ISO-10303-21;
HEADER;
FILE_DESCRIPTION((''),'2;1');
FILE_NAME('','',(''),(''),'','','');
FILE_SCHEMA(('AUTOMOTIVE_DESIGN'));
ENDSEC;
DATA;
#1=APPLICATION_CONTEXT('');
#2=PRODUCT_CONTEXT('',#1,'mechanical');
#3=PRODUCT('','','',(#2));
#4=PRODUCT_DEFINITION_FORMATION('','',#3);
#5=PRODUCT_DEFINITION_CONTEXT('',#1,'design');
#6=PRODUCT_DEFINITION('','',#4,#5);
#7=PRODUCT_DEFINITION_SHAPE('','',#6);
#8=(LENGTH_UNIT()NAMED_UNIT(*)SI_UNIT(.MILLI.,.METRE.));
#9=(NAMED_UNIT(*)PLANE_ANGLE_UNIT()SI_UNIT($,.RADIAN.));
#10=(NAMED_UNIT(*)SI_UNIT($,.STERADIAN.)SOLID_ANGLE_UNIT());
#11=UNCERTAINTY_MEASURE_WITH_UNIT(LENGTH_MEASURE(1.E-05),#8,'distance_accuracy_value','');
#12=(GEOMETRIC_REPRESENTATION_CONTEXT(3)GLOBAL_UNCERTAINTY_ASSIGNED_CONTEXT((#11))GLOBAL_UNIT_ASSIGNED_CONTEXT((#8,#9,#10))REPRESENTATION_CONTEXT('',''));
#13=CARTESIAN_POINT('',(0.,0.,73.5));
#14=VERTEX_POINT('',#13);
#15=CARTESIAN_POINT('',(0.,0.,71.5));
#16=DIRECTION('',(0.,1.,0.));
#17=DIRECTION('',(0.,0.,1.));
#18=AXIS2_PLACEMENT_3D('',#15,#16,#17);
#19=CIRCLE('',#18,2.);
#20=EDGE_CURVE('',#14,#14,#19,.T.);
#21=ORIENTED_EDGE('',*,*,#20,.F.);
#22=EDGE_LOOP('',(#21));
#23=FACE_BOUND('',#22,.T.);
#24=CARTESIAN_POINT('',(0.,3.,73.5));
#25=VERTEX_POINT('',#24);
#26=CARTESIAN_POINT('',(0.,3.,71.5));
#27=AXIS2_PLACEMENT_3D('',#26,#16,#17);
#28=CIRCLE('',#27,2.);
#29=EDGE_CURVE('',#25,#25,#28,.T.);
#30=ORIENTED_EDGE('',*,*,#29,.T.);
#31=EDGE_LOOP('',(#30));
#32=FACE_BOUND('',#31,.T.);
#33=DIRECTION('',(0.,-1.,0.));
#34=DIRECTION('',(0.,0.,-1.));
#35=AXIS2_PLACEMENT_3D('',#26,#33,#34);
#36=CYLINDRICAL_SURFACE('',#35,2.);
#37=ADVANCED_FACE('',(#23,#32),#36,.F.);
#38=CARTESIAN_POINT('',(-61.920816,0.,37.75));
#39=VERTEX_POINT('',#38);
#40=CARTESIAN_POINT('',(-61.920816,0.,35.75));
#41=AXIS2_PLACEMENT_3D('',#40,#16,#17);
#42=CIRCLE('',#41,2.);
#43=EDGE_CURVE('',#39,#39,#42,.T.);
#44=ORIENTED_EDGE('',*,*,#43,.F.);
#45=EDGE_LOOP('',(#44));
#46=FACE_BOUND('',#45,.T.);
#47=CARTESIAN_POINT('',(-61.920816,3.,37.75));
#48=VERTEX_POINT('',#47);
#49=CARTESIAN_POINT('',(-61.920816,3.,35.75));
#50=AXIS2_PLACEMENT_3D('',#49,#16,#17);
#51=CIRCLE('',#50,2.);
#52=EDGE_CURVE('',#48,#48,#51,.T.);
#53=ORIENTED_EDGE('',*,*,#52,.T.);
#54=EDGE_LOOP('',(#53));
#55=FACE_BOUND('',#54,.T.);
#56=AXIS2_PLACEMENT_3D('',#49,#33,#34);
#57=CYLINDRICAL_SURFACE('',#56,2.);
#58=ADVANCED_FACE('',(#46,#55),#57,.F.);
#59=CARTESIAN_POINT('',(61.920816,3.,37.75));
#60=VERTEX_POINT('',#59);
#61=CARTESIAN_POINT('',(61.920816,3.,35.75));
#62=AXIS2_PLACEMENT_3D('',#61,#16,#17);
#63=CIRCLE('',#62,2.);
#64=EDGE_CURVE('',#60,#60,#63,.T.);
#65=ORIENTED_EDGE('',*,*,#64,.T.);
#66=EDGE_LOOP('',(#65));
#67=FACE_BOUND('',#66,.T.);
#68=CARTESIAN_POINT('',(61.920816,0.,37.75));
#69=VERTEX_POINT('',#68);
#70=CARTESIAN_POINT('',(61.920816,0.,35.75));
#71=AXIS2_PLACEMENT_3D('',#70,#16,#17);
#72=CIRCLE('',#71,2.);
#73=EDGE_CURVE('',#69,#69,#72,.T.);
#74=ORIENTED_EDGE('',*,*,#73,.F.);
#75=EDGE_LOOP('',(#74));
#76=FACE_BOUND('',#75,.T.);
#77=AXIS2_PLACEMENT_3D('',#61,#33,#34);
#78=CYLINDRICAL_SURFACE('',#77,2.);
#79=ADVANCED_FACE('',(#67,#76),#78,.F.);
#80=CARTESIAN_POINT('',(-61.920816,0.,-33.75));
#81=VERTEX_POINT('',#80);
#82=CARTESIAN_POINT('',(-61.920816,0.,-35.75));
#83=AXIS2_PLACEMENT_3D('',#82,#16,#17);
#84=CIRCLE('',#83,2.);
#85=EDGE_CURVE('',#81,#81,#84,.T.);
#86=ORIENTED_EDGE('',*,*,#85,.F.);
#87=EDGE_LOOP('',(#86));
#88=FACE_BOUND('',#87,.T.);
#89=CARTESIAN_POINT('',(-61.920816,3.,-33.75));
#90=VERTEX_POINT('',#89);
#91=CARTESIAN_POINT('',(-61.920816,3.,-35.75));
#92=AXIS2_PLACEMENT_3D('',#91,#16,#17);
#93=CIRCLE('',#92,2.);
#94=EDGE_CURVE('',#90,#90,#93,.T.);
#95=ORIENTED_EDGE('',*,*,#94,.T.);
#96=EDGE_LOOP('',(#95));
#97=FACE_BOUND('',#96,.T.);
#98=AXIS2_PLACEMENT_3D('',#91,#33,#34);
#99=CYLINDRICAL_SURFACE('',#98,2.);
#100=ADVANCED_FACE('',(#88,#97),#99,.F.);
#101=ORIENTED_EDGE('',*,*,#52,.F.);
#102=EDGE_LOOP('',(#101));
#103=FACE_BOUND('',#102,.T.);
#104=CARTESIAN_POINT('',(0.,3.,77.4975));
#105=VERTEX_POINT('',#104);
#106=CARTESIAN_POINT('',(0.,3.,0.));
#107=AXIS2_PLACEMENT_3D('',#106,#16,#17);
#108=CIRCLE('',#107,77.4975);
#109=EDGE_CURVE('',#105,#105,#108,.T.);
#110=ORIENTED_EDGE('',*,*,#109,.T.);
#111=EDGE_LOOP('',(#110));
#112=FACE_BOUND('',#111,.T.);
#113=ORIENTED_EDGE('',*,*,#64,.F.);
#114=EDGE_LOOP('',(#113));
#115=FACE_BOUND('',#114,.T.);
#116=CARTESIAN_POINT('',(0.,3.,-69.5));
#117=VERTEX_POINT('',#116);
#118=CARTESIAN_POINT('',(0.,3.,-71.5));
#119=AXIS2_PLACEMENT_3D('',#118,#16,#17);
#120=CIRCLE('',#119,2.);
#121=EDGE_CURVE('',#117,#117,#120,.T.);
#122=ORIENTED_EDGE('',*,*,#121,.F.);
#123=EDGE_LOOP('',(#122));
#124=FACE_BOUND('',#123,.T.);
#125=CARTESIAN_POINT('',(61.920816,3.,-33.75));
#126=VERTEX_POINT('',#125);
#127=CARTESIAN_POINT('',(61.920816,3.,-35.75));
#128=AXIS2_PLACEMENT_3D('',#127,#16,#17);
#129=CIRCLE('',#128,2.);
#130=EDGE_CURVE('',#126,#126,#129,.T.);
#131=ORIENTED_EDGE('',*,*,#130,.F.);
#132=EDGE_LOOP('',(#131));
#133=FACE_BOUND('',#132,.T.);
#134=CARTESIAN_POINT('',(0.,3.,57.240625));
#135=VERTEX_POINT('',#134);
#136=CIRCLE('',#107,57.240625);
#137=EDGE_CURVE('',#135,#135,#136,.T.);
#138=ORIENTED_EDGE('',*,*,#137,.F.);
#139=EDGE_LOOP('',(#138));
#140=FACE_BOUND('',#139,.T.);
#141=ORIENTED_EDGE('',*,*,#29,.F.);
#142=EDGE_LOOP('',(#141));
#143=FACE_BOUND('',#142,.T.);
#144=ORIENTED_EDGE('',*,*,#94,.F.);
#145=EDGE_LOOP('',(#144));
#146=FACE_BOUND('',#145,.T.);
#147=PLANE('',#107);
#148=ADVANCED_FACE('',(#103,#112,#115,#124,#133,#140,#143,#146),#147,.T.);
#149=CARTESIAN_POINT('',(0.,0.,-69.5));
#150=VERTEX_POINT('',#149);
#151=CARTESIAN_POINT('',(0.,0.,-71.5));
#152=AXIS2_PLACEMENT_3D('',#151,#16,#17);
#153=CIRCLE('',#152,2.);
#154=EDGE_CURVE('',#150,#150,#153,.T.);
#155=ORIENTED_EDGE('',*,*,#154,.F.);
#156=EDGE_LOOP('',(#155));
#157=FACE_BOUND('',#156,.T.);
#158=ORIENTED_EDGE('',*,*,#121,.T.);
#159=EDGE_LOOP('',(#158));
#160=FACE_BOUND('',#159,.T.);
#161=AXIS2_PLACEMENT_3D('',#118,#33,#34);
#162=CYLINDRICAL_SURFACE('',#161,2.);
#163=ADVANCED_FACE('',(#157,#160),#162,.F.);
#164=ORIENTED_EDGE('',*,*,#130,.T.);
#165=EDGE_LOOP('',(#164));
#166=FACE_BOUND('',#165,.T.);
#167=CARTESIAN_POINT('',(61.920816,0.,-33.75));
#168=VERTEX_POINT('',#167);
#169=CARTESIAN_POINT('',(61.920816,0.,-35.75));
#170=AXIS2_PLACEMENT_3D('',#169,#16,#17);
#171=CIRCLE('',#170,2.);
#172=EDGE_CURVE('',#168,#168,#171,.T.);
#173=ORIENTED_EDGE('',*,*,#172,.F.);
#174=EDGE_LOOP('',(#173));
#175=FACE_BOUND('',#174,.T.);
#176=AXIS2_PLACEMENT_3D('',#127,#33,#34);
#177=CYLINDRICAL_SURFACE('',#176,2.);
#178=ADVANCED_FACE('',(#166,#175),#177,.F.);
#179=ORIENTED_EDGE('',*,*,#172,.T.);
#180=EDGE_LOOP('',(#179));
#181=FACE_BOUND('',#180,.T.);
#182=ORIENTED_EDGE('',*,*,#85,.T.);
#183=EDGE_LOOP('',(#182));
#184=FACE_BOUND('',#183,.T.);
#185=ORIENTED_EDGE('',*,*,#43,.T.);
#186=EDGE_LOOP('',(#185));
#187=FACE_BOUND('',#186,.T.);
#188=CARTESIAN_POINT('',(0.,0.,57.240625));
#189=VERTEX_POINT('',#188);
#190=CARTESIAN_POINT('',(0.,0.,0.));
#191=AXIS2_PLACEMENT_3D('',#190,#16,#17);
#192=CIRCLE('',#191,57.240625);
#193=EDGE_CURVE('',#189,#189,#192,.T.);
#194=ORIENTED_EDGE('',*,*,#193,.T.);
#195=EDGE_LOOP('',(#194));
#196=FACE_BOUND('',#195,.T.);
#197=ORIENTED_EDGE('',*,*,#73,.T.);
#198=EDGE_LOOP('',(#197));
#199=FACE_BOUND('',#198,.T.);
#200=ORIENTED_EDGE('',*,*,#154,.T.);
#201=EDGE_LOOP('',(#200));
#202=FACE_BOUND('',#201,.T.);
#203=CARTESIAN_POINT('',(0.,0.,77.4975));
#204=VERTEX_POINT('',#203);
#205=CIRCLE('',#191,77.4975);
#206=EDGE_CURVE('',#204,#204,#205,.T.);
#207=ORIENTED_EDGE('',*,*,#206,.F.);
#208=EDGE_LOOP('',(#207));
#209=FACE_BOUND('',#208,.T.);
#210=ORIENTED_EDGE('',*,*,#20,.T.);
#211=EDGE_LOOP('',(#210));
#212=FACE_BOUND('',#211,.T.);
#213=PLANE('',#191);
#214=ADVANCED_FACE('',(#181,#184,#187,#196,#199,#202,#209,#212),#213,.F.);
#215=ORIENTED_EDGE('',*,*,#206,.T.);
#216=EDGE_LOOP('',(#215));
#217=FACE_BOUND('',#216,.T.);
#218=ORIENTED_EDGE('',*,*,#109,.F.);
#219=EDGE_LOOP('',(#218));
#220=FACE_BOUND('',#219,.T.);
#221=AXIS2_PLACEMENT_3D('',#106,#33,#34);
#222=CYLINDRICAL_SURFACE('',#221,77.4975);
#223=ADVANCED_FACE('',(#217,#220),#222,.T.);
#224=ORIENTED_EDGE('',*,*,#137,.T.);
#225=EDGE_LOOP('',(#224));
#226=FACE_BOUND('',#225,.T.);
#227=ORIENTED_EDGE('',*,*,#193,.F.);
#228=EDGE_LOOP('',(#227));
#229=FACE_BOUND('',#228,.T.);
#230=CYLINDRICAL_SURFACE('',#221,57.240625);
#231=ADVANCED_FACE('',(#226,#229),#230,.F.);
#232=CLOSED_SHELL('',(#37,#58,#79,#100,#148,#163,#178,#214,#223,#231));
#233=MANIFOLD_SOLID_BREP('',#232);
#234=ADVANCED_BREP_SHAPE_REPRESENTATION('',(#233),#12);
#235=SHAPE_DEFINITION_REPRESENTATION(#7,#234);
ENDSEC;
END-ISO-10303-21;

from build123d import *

# Parameters (mm, degrees)
SKETCH2_R           = 77.4975
SKETCH2_R_2         = 57.240625
SKETCH2_R_3         = 2
BOSS_EXTRUDE1_DEPTH = 3


with BuildPart() as part:
    # Sketch2 → Boss-Extrude1 (new body)
    with BuildSketch(Plane(origin=(0, 0, 0), x_dir=(1, 0, 0), z_dir=(0, 1, 0))):
        Circle(SKETCH2_R)
        Circle(SKETCH2_R_2, mode=Mode.SUBTRACT)
        with Locations((0, 71.5)):
            Circle(SKETCH2_R_3, mode=Mode.SUBTRACT)
        with Locations((61.920816371, 35.75)):
            Circle(SKETCH2_R_3, mode=Mode.SUBTRACT)
        with Locations((61.920816371, -35.75)):
            Circle(SKETCH2_R_3, mode=Mode.SUBTRACT)
        with Locations((0, -71.5)):
            Circle(SKETCH2_R_3, mode=Mode.SUBTRACT)
        with Locations((-61.920816371, -35.75)):
            Circle(SKETCH2_R_3, mode=Mode.SUBTRACT)
        with Locations((-61.920816371, 35.75)):
            Circle(SKETCH2_R_3, mode=Mode.SUBTRACT)
    extrude(amount=BOSS_EXTRUDE1_DEPTH)


solid = part.part
